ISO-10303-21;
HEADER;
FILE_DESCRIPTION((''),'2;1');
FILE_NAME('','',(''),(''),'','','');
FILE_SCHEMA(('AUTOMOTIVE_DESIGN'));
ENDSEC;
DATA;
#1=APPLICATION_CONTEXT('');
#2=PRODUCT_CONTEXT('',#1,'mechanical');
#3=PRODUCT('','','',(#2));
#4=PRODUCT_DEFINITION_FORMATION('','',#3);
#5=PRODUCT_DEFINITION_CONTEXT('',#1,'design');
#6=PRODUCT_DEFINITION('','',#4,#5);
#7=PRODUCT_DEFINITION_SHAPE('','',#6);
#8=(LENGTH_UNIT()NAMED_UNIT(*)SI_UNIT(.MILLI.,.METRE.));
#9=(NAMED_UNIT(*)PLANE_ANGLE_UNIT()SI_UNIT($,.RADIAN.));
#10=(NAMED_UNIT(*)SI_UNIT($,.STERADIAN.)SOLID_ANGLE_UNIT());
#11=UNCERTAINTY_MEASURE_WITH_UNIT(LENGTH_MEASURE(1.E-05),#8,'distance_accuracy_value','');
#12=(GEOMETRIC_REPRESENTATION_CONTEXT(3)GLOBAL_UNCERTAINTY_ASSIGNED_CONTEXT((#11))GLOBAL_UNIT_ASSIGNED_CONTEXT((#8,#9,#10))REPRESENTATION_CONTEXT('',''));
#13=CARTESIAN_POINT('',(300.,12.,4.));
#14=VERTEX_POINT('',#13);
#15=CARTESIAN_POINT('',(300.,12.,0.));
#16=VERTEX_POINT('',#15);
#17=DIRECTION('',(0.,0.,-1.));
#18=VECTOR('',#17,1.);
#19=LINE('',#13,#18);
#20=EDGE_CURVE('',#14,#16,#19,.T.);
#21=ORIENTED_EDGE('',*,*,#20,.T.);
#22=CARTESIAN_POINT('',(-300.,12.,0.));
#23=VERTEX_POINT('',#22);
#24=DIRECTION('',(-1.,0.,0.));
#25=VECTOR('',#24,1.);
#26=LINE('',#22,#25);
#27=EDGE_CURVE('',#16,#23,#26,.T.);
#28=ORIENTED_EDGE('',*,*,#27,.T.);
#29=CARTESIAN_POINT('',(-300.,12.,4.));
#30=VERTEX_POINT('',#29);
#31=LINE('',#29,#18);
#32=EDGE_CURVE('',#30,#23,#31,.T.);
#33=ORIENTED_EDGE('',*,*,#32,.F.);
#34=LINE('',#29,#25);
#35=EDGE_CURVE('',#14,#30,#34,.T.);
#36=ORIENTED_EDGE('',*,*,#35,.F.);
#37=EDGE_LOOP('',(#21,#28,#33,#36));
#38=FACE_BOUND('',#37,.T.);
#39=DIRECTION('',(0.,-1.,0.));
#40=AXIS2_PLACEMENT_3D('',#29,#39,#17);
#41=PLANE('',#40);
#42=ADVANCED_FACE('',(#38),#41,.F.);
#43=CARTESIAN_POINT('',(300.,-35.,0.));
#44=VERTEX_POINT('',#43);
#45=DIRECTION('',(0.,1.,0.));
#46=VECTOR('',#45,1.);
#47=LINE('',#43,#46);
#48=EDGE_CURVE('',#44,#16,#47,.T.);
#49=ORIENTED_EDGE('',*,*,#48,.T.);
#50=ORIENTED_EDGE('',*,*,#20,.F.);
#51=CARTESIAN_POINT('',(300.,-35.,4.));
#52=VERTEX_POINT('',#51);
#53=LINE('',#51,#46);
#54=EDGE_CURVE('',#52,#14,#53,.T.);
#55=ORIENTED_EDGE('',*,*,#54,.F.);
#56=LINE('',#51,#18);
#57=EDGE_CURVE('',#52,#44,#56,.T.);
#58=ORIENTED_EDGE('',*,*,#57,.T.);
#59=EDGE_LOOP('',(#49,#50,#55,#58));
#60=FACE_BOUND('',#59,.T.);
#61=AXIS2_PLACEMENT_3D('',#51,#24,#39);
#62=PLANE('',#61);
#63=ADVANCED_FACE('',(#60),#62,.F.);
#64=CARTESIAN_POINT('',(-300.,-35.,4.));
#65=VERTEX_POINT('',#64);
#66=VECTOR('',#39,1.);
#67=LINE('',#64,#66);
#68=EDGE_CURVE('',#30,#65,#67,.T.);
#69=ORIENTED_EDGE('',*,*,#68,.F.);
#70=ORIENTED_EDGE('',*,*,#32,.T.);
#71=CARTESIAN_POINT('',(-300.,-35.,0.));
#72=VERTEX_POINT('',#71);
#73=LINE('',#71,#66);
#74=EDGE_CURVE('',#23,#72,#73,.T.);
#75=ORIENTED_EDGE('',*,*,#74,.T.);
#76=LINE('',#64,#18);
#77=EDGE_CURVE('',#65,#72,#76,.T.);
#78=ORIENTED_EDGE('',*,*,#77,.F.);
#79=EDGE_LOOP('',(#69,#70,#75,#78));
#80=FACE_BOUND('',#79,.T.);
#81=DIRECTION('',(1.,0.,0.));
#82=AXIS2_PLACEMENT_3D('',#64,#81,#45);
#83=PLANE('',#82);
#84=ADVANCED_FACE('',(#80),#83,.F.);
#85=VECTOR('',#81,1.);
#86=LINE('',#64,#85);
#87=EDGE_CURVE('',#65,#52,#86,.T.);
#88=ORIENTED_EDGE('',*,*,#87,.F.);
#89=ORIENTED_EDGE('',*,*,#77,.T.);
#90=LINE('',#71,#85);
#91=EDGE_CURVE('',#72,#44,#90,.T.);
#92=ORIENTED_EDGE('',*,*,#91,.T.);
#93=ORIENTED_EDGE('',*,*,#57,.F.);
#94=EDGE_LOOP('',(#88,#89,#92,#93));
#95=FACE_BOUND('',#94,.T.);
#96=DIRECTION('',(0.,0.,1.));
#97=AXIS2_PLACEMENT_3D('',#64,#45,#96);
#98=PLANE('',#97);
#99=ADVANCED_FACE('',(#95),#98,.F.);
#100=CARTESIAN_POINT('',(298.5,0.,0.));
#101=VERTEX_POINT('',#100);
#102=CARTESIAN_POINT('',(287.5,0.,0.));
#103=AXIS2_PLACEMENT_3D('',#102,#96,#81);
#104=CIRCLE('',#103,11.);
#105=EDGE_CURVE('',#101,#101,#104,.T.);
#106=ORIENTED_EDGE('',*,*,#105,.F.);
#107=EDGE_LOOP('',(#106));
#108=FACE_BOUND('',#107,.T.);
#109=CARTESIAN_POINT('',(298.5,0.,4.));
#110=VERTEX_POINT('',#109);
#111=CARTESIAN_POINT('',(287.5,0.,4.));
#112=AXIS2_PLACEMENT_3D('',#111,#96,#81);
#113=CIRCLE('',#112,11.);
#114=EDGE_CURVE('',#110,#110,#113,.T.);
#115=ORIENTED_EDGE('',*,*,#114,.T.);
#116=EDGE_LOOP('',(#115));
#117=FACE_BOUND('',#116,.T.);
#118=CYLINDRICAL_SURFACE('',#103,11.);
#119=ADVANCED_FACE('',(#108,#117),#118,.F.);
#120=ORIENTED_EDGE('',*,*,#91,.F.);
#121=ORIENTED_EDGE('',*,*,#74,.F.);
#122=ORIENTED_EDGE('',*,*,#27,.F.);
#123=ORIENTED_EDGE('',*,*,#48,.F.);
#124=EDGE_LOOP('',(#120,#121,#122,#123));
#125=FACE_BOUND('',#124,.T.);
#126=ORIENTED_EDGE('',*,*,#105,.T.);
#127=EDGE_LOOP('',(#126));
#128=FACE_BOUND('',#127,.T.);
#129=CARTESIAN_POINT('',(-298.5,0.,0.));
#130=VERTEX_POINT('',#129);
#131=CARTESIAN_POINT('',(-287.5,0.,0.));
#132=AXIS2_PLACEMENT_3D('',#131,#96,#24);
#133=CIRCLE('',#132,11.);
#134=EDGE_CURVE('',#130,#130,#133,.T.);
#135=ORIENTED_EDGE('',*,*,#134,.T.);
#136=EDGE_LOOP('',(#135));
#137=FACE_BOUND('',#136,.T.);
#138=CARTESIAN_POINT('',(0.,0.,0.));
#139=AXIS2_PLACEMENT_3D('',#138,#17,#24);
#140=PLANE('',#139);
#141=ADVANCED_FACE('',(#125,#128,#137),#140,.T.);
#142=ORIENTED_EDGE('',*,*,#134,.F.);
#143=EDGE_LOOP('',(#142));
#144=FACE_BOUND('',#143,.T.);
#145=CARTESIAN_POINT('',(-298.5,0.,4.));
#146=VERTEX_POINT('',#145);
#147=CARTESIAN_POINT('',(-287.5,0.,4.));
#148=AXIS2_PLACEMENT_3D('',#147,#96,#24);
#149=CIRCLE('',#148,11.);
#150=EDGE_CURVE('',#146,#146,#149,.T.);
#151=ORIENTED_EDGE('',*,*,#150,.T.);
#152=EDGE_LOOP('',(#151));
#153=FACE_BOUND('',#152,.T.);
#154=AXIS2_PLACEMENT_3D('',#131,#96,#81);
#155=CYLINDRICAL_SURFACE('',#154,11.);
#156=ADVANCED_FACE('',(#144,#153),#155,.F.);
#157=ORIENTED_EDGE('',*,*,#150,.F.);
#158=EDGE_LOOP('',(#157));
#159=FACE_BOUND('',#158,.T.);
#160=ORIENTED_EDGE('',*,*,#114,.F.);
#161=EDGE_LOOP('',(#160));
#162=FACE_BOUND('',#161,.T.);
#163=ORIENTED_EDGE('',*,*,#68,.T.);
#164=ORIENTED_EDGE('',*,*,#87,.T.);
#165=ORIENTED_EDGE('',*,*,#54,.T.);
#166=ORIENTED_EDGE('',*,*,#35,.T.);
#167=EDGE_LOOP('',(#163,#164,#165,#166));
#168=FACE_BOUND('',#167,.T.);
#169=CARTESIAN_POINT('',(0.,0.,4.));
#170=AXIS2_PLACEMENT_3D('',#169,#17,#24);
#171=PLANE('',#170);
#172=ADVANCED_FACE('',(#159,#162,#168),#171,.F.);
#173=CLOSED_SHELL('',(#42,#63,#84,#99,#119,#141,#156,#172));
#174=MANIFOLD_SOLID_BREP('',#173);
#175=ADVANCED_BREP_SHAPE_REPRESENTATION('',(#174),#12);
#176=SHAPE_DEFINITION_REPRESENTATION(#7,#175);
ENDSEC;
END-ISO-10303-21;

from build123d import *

# Parameters (mm, degrees)
CROQUIS1_W              = 600
CROQUIS1_H              = 47
SALIENTE_EXTRUIR1_DEPTH = 4
CROQUIS2_R              = 11
CORTAR_EXTRUIR1_DEPTH   = 4


with BuildPart() as part:
    # Croquis1 → Saliente-Extruir1 (new body)
    with BuildSketch(Plane.XY):
        with Locations((0, -11.5)):
            Rectangle(CROQUIS1_W, CROQUIS1_H)
    extrude(amount=SALIENTE_EXTRUIR1_DEPTH)

    # Croquis2 → Cortar-Extruir1 (cut)
    with BuildSketch(Plane.XY.offset(4)):
        with Locations((287.5, 0)):
            Circle(CROQUIS2_R)
        with Locations(Location((-287.5, 0, 0), (0, 0, 180))):
            Circle(CROQUIS2_R)
    extrude(amount=-CORTAR_EXTRUIR1_DEPTH, mode=Mode.SUBTRACT)


solid = part.part
